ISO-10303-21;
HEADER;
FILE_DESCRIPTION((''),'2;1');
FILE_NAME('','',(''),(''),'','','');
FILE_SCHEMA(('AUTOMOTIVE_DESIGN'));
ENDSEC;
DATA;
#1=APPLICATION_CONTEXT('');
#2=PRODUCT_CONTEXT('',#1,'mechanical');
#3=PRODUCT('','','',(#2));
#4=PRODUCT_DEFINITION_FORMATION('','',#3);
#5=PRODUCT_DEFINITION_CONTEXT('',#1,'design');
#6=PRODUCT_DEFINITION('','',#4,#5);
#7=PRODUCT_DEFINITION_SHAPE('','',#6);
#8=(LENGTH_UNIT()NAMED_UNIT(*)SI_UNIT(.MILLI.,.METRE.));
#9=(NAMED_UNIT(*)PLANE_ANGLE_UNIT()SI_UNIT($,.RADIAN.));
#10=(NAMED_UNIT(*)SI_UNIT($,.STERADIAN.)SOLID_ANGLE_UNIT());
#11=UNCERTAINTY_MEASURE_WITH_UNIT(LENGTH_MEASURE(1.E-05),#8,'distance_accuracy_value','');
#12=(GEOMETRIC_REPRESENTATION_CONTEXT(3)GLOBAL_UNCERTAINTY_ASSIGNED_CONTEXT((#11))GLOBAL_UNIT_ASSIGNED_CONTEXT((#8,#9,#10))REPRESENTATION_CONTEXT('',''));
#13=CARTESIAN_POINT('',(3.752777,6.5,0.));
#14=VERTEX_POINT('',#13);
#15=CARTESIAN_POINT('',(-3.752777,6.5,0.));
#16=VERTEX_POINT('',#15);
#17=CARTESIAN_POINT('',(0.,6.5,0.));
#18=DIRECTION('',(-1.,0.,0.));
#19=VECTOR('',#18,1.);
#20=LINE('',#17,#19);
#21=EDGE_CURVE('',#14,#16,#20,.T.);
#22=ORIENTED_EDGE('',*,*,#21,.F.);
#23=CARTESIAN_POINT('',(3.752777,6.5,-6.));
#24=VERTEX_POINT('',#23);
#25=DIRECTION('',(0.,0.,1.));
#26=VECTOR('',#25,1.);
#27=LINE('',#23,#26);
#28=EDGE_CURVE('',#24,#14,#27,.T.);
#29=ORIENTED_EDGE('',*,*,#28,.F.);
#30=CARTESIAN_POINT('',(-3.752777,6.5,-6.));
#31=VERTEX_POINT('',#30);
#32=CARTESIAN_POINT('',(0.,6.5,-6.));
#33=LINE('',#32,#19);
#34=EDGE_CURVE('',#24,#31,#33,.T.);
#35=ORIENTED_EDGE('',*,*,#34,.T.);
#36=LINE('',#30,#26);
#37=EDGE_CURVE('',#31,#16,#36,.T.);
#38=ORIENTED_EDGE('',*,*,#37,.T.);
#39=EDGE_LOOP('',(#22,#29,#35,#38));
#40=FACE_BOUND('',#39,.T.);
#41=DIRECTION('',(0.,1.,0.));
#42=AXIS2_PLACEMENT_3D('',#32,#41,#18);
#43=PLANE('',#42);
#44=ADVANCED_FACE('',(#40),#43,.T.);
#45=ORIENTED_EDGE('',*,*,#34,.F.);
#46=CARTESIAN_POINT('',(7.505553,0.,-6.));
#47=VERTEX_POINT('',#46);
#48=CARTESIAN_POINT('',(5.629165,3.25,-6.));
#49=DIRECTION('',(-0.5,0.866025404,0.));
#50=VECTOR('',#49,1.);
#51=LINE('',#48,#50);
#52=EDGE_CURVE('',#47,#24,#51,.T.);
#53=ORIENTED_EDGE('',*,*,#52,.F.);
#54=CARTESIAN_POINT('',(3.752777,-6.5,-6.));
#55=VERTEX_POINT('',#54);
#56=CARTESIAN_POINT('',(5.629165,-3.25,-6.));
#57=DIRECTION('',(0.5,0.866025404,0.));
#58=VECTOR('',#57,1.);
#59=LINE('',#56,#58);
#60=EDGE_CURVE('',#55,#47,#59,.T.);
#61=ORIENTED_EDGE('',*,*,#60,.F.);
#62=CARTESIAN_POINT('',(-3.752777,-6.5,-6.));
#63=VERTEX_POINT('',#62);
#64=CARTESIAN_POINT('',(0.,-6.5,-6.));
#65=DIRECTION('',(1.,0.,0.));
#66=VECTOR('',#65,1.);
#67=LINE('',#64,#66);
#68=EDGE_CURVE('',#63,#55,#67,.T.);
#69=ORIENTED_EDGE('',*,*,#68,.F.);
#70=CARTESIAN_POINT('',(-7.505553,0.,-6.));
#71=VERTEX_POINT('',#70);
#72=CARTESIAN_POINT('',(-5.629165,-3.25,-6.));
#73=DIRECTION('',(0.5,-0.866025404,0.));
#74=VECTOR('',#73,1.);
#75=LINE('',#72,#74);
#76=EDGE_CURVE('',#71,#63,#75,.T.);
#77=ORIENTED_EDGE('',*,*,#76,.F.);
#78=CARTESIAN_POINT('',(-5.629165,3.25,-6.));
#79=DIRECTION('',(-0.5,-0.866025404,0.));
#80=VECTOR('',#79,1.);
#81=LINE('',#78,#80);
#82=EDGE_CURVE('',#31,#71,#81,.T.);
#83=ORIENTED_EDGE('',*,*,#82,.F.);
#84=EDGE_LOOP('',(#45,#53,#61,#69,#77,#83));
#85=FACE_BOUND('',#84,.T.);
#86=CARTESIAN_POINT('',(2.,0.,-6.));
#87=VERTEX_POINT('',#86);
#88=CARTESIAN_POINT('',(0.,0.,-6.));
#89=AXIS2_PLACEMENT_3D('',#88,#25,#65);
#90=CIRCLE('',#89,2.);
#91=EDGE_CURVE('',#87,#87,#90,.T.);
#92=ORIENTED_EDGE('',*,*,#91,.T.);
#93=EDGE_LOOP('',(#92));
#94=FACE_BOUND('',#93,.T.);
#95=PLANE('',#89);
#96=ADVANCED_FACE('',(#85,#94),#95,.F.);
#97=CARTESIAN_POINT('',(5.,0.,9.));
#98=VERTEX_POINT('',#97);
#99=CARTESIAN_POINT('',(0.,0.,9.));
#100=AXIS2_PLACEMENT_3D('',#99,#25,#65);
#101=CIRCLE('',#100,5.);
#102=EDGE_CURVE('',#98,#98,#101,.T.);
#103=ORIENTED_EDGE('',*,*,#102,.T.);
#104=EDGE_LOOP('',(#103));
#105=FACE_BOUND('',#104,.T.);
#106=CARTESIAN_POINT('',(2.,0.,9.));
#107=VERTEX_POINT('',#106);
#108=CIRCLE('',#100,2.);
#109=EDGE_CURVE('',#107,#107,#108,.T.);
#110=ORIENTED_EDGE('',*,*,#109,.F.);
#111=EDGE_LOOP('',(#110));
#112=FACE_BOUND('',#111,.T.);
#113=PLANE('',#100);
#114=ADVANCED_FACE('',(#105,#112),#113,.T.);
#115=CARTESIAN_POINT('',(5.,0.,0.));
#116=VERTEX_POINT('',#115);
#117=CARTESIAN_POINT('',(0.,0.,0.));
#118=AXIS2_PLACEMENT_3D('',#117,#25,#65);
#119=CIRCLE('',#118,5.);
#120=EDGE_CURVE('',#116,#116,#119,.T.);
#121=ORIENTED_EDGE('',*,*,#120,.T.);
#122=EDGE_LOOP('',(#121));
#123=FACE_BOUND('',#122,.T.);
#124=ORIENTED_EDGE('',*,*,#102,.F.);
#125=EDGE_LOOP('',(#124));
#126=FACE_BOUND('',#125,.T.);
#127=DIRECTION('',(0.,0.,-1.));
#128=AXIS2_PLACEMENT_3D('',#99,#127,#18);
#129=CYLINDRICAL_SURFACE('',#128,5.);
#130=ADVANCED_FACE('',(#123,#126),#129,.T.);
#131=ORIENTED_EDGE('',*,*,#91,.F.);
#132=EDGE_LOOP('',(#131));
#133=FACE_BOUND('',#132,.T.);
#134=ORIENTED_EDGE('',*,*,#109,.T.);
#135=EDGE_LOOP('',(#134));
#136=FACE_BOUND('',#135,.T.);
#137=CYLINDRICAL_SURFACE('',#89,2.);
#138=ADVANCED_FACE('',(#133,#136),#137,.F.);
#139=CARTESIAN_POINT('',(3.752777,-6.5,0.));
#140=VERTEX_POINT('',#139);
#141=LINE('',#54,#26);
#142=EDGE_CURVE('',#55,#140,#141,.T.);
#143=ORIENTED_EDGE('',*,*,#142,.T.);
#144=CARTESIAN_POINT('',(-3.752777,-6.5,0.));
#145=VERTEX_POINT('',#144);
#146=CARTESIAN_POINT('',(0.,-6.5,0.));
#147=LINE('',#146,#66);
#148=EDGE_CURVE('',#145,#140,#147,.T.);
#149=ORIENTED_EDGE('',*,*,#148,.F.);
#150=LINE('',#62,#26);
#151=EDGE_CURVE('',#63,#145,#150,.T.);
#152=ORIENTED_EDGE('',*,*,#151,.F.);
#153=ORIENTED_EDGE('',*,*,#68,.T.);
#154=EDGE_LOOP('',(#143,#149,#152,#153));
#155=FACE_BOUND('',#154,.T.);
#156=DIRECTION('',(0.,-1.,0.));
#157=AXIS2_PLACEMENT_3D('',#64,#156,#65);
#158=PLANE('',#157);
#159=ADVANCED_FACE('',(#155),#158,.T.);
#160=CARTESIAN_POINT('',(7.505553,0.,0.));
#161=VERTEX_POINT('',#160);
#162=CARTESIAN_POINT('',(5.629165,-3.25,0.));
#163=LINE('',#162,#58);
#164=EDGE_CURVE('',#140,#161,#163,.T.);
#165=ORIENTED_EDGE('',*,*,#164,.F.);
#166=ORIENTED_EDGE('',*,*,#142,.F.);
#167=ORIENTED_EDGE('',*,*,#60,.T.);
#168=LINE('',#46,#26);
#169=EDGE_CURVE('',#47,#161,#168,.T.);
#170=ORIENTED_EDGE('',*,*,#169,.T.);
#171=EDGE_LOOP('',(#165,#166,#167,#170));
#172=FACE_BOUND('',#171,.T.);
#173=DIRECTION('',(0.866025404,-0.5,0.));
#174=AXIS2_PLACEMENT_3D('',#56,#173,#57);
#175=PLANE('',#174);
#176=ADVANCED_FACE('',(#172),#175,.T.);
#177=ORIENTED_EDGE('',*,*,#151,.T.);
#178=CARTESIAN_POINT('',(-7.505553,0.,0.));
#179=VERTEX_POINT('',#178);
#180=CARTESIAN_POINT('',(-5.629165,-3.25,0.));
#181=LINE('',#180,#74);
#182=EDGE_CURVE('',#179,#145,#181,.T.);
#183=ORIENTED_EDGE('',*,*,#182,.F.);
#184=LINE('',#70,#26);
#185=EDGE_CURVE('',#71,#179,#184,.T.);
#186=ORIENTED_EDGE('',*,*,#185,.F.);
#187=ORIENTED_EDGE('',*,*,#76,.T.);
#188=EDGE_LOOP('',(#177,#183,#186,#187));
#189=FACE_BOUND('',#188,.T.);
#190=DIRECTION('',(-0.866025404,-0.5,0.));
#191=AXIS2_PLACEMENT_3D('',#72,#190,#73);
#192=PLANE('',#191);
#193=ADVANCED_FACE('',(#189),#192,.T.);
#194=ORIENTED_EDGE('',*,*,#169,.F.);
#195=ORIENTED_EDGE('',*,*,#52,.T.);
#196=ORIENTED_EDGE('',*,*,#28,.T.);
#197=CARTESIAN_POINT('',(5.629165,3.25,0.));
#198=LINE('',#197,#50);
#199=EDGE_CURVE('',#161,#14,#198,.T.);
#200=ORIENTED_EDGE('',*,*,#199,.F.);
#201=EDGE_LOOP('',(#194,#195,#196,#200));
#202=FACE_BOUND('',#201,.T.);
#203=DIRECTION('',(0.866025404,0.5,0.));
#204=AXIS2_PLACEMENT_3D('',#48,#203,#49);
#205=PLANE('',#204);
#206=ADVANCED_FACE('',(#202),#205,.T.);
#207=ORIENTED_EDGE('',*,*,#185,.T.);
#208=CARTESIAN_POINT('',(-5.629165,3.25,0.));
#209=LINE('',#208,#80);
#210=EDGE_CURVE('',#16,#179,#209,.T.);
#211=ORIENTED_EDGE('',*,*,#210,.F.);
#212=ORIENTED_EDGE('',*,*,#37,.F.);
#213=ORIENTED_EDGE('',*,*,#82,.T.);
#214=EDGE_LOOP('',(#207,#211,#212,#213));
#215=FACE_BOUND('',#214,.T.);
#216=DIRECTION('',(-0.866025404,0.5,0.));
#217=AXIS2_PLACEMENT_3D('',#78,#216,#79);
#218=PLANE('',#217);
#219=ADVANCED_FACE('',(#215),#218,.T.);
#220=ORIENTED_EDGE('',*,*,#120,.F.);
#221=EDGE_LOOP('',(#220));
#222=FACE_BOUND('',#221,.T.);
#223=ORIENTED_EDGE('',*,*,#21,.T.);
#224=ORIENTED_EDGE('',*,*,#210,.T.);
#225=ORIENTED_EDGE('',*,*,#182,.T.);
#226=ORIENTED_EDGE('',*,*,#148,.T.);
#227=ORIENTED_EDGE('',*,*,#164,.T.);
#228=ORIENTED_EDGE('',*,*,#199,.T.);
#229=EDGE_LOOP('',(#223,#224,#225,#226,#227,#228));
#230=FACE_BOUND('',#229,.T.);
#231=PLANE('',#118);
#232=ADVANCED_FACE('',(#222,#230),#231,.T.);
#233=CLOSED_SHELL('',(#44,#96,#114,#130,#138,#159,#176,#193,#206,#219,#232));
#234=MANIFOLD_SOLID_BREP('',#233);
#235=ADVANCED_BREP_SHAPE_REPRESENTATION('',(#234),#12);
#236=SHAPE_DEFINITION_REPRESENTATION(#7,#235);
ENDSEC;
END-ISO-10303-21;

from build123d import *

# Parameters (mm, degrees)
SKETCH2_R           = 2
BOSS_EXTRUDE1_DEPTH = 6
BOSS_EXTRUDE2_START = 9
SKETCH2_3_R         = 5
SKETCH2_3_R_2       = 2
BOSS_EXTRUDE2_DEPTH = 9


with BuildPart() as part:
    # Sketch2 → Boss-Extrude1 (new body)
    with BuildSketch(Plane.XY):
        Polygon((3.75277675, -6.5), (7.505553499, 0), (3.75277675, 6.5), (-3.75277675, 6.5), (-7.505553499, 0), (-3.75277675, -6.5), align=None)
        Circle(SKETCH2_R, mode=Mode.SUBTRACT)
    extrude(amount=-BOSS_EXTRUDE1_DEPTH)

    # Sketch2<3> → Boss-Extrude2 (add)
    with BuildSketch(Plane.XY.offset(BOSS_EXTRUDE2_START)):
        Circle(SKETCH2_3_R)
        Circle(SKETCH2_3_R_2, mode=Mode.SUBTRACT)
    extrude(amount=-BOSS_EXTRUDE2_DEPTH)


solid = part.part
